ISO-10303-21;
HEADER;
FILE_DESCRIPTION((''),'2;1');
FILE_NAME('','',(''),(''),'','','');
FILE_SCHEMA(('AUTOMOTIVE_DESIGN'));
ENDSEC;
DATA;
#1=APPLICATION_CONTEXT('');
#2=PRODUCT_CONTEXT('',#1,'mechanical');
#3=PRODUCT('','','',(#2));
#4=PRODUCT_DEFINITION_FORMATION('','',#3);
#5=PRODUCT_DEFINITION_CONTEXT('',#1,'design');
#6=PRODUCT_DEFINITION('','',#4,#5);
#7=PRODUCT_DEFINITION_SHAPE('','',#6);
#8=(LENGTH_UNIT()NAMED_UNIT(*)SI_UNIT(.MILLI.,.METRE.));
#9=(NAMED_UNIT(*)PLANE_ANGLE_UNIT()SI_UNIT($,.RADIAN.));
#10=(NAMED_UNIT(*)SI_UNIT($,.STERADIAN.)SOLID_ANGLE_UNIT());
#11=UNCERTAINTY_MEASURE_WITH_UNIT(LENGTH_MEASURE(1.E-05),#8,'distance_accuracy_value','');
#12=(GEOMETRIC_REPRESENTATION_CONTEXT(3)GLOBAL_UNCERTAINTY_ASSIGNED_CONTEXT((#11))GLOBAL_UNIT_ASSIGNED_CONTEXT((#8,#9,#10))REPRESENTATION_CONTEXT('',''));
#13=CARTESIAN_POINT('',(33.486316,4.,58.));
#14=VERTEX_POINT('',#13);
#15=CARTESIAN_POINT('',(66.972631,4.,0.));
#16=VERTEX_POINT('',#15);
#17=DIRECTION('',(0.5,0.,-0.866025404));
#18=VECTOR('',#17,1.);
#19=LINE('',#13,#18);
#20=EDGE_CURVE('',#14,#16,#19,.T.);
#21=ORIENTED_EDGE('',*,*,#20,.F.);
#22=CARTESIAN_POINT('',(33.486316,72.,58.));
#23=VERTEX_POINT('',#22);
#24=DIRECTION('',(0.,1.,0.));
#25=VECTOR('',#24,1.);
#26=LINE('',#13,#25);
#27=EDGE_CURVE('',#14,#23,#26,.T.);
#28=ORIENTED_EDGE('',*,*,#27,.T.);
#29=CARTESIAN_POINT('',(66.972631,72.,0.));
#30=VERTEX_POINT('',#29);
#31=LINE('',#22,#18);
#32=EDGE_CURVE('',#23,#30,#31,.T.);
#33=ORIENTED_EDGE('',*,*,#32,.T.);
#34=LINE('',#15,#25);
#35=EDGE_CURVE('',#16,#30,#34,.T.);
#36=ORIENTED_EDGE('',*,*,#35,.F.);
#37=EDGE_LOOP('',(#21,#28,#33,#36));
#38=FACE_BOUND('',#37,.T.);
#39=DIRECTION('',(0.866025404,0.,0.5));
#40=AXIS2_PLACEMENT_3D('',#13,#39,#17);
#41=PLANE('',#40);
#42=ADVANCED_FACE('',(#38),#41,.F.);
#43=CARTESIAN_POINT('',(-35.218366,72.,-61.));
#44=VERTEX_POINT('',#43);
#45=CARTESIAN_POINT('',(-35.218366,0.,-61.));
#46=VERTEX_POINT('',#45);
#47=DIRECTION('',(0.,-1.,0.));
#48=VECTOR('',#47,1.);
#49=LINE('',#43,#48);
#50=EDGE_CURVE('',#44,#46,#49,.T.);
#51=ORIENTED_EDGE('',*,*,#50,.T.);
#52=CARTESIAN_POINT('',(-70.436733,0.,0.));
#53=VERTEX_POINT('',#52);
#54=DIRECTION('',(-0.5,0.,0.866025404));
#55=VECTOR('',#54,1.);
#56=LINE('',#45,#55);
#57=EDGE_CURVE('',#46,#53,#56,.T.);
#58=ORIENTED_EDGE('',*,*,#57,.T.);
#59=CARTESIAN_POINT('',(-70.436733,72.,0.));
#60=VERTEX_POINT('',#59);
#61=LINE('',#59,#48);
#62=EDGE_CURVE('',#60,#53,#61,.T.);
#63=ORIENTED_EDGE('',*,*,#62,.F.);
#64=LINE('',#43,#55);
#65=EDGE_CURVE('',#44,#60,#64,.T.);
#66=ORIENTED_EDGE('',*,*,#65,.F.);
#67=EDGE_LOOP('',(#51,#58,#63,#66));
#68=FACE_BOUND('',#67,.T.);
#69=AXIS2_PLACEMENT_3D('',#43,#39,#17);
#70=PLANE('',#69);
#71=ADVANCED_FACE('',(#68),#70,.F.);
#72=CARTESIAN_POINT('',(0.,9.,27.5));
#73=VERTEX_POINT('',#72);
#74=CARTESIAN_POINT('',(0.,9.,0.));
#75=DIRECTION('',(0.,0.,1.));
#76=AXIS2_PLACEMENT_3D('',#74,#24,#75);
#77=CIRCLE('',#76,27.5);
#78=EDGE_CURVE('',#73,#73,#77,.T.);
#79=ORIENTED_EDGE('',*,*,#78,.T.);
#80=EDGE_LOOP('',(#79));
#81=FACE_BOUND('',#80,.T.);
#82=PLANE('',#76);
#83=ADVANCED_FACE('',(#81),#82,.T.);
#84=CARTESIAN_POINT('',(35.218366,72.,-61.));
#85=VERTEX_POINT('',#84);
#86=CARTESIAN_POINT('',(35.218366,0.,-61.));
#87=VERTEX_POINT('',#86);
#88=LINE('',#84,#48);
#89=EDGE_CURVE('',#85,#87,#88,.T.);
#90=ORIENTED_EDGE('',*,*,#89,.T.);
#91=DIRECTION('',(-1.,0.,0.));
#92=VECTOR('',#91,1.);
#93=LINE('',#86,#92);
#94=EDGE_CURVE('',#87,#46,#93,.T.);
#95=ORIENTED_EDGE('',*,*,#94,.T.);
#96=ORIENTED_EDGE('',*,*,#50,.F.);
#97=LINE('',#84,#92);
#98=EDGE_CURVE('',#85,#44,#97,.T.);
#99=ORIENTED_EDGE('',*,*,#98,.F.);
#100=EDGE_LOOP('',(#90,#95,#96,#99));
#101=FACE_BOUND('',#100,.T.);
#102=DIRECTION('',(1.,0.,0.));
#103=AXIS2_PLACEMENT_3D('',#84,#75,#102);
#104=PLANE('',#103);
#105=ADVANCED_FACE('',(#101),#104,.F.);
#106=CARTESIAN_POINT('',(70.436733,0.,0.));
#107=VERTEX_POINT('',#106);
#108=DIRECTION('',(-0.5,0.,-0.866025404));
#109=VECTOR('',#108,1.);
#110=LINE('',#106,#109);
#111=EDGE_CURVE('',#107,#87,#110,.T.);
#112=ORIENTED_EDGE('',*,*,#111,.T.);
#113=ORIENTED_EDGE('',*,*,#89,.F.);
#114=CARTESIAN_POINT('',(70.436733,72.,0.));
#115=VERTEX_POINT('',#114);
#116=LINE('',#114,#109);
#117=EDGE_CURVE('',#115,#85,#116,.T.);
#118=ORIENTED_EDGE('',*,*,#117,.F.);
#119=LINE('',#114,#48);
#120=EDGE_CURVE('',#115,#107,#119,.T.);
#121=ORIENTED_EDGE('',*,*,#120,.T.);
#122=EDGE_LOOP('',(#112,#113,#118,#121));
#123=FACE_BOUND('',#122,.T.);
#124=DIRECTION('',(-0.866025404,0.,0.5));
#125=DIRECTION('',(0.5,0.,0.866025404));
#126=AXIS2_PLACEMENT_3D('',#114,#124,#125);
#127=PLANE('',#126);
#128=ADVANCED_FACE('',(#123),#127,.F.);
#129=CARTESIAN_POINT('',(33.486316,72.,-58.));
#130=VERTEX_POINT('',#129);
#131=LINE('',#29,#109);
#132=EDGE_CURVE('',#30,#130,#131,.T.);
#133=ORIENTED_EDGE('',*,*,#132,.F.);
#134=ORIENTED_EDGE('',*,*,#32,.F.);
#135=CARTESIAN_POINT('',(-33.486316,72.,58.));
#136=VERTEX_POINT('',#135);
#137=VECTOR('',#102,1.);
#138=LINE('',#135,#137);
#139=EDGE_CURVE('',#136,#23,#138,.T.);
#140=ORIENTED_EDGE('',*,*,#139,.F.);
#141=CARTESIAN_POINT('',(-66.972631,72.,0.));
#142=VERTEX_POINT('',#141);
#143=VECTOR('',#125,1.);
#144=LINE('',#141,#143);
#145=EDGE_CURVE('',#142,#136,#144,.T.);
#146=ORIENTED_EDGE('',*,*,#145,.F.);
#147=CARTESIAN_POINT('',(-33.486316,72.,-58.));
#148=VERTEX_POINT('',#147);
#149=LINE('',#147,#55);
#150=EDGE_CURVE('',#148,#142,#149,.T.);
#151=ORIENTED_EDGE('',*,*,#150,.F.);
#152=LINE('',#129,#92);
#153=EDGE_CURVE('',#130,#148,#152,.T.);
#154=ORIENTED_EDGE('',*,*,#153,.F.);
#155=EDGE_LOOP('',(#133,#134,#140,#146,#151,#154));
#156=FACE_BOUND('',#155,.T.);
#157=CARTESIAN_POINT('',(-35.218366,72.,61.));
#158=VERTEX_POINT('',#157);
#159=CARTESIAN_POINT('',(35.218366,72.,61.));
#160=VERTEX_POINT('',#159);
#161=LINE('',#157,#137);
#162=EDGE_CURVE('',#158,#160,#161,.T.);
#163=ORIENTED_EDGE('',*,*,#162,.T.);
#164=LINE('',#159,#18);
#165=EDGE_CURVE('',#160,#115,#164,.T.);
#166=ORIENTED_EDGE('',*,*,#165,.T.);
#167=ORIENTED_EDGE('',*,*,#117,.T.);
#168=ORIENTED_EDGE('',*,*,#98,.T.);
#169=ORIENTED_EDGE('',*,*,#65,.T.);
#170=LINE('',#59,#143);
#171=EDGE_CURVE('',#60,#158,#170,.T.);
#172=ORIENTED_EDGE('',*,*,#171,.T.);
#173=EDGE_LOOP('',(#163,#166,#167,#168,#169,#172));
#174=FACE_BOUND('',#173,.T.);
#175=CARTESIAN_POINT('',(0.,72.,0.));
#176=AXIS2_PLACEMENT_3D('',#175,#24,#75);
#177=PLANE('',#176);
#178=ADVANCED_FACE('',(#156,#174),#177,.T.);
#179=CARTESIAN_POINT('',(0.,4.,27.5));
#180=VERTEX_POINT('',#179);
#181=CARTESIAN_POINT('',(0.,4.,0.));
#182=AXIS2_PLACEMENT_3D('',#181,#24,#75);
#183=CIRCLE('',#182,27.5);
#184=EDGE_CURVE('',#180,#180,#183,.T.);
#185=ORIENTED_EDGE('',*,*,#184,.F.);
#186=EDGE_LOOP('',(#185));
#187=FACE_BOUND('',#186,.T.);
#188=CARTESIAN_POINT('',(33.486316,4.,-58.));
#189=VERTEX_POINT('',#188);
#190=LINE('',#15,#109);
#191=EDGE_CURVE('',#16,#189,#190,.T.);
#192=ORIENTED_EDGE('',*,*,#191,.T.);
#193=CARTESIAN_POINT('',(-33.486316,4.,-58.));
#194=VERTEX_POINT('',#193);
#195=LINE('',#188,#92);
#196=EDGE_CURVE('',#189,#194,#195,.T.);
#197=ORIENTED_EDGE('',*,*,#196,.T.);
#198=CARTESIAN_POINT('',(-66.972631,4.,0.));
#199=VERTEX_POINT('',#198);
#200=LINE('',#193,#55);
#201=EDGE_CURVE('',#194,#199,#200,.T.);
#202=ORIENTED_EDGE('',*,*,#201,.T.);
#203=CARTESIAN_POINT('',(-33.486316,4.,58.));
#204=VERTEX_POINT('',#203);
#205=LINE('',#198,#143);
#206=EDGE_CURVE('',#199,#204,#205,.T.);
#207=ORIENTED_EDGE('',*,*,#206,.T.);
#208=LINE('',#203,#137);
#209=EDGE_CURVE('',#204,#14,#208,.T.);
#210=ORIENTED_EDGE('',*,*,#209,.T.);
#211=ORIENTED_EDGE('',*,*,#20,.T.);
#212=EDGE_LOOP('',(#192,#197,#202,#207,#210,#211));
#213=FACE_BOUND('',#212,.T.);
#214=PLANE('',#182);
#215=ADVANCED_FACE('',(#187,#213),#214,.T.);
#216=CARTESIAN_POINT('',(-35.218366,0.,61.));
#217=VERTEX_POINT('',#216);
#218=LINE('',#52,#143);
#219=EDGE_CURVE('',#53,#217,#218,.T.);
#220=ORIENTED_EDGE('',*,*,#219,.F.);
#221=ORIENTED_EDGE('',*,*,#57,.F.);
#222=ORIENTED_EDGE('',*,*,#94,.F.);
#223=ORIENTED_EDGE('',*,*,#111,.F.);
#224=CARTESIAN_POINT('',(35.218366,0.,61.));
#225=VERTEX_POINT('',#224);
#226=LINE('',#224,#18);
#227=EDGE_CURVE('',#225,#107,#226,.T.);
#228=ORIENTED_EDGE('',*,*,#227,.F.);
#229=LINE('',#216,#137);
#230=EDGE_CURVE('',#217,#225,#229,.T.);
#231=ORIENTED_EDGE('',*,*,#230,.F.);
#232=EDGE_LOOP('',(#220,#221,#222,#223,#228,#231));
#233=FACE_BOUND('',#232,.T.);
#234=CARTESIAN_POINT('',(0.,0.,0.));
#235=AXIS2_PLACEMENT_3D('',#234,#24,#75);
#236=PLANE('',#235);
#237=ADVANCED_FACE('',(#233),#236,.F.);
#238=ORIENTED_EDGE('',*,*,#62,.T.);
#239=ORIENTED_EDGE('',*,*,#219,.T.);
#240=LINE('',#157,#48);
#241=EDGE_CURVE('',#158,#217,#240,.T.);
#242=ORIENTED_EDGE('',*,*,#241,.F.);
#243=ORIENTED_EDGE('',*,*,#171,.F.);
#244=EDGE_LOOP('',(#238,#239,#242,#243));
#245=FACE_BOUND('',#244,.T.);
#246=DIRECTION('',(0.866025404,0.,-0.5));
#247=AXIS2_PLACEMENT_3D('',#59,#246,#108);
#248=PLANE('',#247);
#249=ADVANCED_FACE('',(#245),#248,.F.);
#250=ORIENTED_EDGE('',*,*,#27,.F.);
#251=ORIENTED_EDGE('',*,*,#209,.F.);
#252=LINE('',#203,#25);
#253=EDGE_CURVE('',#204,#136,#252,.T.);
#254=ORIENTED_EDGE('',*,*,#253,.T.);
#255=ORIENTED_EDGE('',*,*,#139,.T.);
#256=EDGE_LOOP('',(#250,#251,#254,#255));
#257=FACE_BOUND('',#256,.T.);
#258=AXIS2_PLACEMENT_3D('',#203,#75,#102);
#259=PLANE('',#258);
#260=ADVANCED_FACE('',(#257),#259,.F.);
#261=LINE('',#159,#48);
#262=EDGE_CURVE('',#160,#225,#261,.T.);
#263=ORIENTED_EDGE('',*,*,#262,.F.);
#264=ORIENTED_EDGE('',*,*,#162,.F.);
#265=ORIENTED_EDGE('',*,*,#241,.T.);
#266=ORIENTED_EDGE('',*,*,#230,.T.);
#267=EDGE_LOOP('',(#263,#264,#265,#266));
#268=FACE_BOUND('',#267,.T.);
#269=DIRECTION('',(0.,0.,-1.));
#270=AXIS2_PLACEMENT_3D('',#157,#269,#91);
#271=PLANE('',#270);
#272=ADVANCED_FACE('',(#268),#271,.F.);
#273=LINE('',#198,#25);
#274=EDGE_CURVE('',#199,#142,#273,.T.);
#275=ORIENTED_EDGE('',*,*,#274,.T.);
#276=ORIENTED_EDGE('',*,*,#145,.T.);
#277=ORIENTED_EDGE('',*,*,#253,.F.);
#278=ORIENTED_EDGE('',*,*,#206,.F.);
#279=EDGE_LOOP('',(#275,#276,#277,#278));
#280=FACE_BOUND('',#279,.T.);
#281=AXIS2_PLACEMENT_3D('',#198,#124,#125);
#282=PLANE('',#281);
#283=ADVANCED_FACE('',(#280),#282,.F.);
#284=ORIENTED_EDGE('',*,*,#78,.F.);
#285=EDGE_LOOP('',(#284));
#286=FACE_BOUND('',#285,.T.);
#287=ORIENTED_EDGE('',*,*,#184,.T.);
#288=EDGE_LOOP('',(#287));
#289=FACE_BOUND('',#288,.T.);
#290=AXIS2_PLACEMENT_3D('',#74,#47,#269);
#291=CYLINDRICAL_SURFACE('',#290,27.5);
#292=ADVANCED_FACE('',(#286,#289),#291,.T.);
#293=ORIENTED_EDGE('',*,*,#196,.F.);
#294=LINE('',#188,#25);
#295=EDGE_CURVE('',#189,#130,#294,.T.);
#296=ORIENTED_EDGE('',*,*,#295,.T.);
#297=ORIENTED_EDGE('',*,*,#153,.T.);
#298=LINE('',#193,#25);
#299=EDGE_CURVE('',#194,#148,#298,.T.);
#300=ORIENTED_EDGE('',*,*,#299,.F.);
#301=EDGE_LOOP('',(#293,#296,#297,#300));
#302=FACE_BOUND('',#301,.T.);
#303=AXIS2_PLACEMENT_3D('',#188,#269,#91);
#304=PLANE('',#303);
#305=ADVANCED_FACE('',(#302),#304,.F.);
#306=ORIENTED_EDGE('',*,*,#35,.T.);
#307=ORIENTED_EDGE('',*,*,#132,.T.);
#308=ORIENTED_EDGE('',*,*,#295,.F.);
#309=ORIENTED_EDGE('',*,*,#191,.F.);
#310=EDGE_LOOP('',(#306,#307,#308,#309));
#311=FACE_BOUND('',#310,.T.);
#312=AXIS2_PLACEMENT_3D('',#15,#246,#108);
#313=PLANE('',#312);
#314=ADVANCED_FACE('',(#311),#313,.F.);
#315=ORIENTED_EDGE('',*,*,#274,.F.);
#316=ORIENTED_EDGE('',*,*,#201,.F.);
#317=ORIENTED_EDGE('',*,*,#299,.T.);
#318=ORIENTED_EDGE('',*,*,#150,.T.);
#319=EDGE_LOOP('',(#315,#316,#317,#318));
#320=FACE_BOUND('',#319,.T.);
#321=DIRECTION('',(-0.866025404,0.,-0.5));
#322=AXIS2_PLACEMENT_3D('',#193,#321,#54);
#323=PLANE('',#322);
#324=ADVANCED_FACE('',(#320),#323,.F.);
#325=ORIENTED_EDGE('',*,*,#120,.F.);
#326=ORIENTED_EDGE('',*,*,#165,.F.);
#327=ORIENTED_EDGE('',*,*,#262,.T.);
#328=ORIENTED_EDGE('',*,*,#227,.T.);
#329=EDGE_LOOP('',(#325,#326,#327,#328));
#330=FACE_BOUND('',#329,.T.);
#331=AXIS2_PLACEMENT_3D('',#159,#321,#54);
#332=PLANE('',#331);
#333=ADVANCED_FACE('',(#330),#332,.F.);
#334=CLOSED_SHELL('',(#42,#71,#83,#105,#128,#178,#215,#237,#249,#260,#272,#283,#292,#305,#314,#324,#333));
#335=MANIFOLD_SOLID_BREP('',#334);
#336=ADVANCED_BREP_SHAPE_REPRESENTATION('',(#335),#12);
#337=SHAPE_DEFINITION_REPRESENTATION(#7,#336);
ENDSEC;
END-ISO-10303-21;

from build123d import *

# Parameters (mm, degrees)
BOSS_EXTRUDE1_DEPTH = 72
CUT_EXTRUDE1_DEPTH  = 68
SKETCH4_R           = 27.5
BOSS_EXTRUDE2_DEPTH = 5


with BuildPart() as part:
    # Sketch2 → Boss-Extrude1 (new body)
    with BuildSketch(Plane(origin=(0, 0, 0), x_dir=(1, 0, 0), z_dir=(0, 1, 0))):
        Polygon((70.436732841, 0), (35.218366421, 61), (-35.218366421, 61), (-70.436732841, 0), (-35.218366421, -61), (35.218366421, -61), align=None)
    extrude(amount=BOSS_EXTRUDE1_DEPTH)

    # Sketch3 → Cut-Extrude1 (cut)
    with BuildSketch(Plane(origin=(0, 72, 0), x_dir=(1, 0, 0), z_dir=(0, 1, 0))):
        Polygon((66.972631226, 0), (33.486315613, 58), (-33.486315613, 58), (-66.972631226, 0), (-33.486315613, -58), (33.486315613, -58), align=None)
    extrude(amount=-CUT_EXTRUDE1_DEPTH, mode=Mode.SUBTRACT)

    # Sketch4 → Boss-Extrude2 (add)
    with BuildSketch(Plane(origin=(0, 4, 0), x_dir=(1, 0, 0), z_dir=(0, 1, 0))):
        with Locations(Location((0, 0, 0), (0, 0, 270))):
            Circle(SKETCH4_R)
    extrude(amount=BOSS_EXTRUDE2_DEPTH)


solid = part.part
